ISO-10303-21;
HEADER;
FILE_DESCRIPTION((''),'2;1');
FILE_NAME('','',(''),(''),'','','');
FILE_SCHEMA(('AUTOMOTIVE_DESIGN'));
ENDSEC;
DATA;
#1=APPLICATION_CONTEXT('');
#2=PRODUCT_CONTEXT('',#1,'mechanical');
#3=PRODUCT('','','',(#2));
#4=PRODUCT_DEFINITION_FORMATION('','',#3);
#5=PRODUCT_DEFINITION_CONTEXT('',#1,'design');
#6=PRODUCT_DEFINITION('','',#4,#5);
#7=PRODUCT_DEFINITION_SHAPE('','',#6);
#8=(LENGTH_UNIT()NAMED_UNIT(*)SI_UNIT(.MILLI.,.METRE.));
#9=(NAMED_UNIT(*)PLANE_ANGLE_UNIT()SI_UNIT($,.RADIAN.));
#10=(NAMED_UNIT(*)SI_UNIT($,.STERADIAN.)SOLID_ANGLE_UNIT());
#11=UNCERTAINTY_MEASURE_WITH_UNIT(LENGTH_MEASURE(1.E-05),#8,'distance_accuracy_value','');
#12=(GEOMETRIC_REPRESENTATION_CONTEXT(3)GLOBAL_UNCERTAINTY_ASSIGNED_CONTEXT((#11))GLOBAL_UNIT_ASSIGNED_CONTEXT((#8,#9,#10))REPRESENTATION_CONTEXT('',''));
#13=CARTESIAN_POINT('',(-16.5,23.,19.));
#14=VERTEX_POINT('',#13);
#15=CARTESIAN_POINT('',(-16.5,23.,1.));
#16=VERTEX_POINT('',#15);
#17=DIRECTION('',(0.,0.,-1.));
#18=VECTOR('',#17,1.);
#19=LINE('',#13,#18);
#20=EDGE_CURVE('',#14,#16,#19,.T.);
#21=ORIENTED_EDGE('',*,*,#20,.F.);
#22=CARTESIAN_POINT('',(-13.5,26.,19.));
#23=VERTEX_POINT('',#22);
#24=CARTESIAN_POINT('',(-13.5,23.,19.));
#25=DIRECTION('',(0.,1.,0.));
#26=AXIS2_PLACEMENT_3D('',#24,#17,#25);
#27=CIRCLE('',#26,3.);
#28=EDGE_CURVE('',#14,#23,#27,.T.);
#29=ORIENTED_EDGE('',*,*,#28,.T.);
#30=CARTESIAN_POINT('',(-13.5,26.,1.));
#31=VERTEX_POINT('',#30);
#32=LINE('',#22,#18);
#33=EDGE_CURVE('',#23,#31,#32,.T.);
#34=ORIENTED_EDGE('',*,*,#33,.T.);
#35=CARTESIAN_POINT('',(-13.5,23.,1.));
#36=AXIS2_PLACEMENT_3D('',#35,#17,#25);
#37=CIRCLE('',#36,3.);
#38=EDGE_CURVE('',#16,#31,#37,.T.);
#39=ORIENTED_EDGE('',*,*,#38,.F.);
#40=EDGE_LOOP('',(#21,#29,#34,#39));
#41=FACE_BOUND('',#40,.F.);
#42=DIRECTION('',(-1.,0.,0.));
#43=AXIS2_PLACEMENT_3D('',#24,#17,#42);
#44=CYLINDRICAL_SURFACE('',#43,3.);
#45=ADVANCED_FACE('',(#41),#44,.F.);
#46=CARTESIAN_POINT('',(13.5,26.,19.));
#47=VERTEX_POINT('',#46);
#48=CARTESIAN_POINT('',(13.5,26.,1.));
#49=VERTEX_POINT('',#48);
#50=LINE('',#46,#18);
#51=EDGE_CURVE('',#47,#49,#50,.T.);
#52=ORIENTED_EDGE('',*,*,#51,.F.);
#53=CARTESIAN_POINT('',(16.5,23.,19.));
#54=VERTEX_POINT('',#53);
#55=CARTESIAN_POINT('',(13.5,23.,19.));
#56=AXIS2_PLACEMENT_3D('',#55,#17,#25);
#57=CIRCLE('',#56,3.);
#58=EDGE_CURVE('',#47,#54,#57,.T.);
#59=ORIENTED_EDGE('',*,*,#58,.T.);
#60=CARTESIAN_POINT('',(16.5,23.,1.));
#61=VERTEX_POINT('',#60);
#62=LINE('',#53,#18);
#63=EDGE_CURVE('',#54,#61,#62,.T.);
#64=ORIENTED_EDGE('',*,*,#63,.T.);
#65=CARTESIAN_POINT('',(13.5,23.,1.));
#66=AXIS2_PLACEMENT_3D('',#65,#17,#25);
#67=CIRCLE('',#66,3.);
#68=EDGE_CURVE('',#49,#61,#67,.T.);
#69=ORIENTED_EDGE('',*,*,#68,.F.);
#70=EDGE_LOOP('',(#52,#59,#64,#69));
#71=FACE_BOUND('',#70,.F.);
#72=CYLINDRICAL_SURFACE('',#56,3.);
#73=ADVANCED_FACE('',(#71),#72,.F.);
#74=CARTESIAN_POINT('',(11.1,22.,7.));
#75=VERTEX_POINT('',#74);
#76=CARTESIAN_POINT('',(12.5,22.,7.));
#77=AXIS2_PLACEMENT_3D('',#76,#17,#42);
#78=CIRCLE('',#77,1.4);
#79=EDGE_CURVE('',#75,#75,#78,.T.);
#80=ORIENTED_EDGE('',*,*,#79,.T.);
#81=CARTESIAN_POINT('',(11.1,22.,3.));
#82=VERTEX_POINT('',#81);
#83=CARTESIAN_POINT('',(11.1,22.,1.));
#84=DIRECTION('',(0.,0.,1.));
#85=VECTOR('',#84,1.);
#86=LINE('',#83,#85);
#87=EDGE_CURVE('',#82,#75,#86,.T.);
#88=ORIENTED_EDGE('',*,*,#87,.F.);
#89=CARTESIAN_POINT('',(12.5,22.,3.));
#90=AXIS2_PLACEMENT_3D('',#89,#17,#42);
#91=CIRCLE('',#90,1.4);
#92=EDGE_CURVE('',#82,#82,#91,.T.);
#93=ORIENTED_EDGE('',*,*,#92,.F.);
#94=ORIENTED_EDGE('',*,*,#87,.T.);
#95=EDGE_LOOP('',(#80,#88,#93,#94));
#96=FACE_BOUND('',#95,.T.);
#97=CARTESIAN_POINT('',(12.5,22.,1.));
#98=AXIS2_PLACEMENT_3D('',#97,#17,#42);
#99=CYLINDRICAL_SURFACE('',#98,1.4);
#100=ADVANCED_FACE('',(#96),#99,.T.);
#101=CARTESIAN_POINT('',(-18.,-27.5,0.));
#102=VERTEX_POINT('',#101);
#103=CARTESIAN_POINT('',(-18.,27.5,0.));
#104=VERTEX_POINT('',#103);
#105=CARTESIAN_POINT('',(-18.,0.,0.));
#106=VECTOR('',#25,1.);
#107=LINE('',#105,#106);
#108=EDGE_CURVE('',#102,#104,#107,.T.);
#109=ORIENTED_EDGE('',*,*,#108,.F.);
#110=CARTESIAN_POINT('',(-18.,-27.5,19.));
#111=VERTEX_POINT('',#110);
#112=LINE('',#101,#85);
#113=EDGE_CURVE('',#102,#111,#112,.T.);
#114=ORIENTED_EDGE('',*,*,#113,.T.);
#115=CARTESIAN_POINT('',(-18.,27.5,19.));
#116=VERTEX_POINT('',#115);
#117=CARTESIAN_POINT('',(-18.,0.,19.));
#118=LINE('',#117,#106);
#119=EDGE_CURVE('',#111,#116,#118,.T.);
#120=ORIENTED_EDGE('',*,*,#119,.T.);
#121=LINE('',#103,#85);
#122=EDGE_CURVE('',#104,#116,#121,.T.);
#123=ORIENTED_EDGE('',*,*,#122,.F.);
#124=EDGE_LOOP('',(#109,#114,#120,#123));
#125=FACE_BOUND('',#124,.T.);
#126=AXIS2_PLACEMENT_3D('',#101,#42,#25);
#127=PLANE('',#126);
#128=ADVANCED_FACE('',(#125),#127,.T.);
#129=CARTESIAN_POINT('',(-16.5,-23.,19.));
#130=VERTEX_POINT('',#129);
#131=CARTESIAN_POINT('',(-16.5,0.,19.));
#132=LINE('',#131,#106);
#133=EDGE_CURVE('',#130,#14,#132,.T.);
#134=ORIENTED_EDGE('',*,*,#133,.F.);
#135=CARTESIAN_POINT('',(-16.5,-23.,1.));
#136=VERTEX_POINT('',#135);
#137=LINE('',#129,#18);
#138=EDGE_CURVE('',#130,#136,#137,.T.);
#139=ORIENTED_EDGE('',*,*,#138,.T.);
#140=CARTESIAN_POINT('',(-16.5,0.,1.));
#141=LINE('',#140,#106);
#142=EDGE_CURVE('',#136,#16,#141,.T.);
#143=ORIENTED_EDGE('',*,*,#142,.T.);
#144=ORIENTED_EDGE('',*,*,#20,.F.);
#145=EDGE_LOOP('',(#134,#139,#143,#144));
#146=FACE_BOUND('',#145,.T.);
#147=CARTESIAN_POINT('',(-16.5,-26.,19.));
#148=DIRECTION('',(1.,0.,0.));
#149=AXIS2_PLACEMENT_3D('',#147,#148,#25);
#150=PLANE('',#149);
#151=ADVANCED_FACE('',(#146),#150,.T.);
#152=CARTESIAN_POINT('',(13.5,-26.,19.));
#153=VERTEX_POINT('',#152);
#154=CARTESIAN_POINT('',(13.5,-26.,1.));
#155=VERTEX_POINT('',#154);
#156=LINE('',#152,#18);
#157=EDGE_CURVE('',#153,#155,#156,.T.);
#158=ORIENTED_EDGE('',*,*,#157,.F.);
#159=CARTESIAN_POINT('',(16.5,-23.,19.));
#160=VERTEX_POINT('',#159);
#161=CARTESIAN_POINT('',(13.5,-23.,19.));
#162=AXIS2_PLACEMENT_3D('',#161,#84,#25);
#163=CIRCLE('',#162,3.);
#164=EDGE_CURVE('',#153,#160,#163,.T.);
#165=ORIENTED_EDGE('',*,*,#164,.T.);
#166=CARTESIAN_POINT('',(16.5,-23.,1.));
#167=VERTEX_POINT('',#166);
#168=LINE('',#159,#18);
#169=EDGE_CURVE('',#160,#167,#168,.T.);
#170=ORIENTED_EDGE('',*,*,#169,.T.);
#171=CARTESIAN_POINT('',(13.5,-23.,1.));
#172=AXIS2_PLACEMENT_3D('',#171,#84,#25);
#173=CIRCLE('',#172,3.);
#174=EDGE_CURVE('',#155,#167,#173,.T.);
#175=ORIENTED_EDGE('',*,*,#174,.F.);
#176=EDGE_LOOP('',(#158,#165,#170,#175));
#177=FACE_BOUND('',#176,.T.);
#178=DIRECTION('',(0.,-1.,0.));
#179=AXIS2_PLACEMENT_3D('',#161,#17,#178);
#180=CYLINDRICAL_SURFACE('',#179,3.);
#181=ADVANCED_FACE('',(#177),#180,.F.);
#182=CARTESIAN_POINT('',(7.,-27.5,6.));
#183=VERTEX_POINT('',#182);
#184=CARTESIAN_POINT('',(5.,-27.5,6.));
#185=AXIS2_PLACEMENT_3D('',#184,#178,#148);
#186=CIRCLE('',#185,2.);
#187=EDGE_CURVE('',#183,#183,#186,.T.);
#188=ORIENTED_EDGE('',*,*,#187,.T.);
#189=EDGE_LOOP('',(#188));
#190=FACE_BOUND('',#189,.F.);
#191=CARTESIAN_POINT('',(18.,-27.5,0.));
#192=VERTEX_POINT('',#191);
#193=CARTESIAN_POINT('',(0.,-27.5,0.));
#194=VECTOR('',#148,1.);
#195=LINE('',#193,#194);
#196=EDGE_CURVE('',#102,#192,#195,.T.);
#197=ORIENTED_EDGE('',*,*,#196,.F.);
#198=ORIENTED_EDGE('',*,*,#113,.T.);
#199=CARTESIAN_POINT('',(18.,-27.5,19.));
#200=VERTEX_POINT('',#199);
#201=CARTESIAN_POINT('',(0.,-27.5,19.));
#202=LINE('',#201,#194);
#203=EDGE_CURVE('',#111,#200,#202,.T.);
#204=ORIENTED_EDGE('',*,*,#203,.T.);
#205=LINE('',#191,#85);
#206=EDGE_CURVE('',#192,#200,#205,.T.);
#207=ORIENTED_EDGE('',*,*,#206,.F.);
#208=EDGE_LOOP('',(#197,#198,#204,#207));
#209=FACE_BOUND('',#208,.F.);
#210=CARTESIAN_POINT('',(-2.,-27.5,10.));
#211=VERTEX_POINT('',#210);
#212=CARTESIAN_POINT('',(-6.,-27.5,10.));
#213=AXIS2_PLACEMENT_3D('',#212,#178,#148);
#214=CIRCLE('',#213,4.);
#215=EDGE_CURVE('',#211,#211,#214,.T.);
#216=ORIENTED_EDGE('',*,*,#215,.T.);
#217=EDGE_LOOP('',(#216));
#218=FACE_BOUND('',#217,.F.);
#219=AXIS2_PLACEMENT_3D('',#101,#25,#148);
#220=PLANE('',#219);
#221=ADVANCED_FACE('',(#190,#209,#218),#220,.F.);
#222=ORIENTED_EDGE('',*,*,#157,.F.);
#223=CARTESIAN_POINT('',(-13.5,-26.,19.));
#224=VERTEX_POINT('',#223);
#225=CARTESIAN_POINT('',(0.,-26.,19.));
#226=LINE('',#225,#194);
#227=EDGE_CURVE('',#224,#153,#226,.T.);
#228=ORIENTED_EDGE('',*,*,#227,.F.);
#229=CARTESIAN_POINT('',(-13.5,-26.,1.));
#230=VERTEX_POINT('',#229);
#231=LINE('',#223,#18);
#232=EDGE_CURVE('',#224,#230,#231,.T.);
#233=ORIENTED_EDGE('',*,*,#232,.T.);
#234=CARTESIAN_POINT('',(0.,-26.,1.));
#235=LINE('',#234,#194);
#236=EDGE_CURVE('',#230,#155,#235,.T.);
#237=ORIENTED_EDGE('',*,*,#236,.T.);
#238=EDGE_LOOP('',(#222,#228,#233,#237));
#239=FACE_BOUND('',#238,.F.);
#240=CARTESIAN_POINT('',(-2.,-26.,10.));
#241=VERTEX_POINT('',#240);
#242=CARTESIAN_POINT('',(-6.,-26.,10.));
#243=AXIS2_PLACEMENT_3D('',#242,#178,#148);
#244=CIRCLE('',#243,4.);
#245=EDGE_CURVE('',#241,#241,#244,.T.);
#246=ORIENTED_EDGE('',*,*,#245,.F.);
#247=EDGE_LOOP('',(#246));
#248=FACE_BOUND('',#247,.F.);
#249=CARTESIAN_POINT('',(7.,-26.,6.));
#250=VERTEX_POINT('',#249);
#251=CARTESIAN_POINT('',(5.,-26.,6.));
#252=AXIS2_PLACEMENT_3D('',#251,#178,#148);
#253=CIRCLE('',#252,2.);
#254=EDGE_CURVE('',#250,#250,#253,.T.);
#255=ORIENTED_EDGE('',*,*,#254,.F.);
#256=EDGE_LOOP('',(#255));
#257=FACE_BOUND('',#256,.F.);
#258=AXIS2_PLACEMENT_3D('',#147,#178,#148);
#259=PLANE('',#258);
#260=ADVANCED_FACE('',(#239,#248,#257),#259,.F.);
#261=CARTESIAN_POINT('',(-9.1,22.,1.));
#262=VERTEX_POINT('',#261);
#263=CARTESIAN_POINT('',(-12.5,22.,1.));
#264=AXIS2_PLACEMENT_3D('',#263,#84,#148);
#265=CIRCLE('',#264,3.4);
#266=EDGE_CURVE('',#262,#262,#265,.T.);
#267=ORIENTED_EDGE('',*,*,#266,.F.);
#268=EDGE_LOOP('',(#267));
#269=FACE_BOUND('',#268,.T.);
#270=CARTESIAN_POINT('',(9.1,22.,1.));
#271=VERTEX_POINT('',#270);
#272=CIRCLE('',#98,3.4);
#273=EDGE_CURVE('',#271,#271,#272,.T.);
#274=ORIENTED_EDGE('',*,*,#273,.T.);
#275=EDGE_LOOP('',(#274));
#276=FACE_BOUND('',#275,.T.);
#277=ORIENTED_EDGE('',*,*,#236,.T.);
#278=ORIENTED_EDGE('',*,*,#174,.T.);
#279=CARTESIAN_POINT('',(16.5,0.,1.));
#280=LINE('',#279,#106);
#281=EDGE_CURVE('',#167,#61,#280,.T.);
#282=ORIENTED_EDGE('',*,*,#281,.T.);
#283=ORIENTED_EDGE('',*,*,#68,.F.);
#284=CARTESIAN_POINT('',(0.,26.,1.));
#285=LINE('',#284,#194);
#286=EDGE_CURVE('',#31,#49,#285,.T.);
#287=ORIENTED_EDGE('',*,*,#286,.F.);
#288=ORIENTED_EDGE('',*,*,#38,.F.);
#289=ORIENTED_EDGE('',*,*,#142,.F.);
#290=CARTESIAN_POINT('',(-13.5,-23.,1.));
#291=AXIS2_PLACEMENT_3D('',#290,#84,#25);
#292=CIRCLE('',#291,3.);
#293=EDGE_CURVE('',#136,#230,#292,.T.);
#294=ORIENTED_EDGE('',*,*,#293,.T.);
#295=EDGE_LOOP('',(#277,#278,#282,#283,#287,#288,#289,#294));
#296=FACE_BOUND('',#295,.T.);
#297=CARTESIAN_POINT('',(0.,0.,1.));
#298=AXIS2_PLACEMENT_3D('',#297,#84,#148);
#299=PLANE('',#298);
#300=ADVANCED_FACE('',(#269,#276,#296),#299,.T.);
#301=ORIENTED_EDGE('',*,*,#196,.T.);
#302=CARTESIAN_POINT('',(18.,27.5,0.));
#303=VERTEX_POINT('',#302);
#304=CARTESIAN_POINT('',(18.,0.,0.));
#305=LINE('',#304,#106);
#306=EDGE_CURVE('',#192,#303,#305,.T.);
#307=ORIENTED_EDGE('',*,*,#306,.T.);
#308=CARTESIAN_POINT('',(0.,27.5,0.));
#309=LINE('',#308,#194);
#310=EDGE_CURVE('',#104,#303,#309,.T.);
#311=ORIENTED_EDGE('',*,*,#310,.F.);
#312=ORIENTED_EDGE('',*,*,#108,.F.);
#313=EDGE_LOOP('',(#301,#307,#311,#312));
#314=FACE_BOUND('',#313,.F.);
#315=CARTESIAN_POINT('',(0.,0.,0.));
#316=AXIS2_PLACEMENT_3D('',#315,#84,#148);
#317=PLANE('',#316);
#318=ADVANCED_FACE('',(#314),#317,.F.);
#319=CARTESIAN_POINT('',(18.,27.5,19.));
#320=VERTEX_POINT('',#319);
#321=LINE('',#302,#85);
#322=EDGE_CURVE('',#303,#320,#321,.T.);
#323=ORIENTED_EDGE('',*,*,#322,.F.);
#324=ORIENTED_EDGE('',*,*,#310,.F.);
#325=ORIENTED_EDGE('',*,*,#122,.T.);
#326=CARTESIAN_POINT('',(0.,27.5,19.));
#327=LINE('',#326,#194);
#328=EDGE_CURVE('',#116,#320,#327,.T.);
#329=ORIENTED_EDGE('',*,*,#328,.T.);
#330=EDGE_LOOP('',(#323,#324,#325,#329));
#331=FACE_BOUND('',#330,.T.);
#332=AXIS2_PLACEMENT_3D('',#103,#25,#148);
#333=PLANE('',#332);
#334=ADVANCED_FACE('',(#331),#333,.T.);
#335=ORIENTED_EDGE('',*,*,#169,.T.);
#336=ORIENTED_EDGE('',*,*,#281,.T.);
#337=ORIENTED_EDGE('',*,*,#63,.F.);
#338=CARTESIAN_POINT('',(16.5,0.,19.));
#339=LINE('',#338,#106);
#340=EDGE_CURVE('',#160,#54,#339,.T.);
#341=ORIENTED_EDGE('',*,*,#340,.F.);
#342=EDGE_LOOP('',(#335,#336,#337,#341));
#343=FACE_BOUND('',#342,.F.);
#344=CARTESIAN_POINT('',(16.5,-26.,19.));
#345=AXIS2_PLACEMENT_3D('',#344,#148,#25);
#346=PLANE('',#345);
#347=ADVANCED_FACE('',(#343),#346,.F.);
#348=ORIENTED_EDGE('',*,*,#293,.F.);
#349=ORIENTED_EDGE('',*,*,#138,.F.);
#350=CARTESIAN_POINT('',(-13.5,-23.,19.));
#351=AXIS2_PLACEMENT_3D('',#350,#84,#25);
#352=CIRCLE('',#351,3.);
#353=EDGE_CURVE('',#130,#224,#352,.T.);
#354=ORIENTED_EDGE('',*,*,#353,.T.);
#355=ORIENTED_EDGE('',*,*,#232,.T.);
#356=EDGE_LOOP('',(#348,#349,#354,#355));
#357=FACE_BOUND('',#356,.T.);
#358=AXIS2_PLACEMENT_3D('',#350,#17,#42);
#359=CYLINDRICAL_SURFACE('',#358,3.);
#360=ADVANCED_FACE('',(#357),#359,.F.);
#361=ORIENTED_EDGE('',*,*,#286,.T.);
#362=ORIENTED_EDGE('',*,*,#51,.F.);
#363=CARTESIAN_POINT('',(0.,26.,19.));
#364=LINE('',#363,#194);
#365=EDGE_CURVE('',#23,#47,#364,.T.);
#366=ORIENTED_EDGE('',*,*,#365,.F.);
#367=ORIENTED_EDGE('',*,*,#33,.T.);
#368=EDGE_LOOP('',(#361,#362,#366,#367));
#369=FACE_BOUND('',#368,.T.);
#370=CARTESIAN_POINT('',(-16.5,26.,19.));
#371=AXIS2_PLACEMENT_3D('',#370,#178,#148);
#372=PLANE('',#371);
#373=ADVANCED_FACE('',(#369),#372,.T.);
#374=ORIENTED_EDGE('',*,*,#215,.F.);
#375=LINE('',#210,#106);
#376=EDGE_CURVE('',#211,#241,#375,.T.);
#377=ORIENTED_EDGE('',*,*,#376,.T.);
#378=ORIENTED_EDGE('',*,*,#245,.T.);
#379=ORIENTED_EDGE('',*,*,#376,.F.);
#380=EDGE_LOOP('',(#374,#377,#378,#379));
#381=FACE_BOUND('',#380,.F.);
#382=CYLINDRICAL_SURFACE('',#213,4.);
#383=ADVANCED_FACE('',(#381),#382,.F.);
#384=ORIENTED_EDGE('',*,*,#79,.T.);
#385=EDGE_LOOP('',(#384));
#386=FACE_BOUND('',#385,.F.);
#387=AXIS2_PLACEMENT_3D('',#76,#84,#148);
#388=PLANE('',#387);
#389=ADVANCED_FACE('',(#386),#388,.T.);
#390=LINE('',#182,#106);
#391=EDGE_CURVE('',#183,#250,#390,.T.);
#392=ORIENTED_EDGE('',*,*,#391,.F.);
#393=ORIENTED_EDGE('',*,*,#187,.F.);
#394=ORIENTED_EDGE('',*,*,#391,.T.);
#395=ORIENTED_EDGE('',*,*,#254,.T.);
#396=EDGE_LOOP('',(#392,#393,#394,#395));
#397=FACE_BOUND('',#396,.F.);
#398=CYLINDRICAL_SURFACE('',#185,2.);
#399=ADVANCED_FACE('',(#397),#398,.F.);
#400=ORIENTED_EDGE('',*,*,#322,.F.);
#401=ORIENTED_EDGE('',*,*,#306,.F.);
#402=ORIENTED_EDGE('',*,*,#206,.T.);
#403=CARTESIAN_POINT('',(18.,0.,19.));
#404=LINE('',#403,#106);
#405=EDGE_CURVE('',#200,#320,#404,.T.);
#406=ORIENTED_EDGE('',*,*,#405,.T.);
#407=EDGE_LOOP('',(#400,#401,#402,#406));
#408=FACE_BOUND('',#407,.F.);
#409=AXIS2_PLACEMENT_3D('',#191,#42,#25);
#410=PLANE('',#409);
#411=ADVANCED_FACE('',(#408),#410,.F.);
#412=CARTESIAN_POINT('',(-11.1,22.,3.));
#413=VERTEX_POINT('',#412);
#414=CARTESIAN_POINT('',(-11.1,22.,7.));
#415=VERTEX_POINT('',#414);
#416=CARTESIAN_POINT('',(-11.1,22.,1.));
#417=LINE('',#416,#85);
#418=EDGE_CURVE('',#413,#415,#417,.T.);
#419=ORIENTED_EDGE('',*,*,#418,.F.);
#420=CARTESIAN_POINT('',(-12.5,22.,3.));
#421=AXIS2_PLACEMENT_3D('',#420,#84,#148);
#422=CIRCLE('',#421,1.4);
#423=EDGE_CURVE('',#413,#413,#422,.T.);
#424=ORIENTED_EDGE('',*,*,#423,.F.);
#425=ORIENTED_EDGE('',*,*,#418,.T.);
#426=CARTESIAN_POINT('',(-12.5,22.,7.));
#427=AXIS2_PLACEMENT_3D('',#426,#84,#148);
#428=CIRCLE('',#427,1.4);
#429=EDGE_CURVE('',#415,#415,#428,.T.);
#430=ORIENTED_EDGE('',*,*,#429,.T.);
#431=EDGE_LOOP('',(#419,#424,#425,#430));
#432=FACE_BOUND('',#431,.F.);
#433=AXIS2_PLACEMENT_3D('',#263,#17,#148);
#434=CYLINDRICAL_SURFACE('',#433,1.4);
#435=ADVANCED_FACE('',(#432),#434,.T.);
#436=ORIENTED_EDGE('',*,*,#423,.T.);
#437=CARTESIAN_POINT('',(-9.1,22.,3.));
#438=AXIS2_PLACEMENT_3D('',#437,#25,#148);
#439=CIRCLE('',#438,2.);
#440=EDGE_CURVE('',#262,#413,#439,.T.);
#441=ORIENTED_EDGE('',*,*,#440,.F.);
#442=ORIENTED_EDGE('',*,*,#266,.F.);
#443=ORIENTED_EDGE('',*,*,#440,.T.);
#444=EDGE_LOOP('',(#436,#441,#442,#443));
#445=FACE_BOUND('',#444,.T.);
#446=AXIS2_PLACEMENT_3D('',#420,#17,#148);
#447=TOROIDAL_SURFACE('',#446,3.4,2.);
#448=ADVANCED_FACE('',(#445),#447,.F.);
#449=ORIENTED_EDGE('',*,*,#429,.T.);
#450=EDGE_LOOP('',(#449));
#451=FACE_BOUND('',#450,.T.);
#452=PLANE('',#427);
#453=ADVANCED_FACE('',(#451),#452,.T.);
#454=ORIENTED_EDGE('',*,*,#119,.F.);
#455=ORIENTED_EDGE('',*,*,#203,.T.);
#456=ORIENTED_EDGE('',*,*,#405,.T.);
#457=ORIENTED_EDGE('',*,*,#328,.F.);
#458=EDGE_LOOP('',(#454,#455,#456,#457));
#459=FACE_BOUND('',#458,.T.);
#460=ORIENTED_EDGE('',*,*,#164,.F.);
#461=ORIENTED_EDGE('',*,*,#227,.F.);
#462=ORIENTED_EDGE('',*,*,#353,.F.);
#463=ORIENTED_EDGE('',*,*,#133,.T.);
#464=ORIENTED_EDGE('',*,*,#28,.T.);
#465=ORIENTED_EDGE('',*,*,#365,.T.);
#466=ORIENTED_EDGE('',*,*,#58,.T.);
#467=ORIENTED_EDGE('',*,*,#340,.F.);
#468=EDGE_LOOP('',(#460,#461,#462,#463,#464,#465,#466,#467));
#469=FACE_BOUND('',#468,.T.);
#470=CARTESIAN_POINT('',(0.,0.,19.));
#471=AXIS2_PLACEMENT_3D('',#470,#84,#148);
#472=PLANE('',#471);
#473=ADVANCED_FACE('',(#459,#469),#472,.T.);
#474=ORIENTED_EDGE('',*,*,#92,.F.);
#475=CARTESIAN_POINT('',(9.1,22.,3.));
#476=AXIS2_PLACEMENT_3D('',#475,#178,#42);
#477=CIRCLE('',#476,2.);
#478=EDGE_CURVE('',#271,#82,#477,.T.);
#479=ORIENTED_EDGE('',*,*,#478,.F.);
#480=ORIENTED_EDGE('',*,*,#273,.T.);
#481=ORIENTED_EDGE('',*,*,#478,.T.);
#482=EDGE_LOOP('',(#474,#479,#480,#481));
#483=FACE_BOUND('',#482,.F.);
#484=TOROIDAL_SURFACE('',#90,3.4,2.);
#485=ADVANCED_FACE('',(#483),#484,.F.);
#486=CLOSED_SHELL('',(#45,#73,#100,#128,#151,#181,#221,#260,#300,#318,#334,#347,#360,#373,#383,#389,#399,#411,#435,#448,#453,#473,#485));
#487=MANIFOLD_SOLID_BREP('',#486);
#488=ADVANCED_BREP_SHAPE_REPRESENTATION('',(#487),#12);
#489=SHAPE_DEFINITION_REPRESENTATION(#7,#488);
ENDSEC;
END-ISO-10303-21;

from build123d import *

# Parameters (mm, degrees)
SKETCH_W        = 36
SKETCH_H        = 55
PAD_DEPTH       = 19
SKETCH001_W     = 33
SKETCH001_H     = 52
POCKET_DEPTH    = 18
SKETCH002_R     = 1.4
PAD001_DEPTH    = 6
SKETCH003_R     = 4
SKETCH003_R_2   = 2
POCKET001_DEPTH = 1.5
FILLET_R        = 2
FILLET001_R     = 3


with BuildPart() as part:
    # Sketch → Pad (new body)
    with BuildSketch(Plane.XY):
        Rectangle(SKETCH_W, SKETCH_H)
    extrude(amount=PAD_DEPTH)

    # Sketch001 (on Face6 of Pad) → Pocket (cut)
    with BuildSketch(Plane.XY.offset(19)):
        Rectangle(SKETCH001_W, SKETCH001_H)
    extrude(amount=-POCKET_DEPTH, mode=Mode.SUBTRACT)

    # Sketch002 (on Face11 of Pocket) → Pad001 (join)
    with BuildSketch(Plane.XY.offset(1)):
        with Locations((-12.5, 22)):
            Circle(SKETCH002_R)
    pad001 = extrude(amount=PAD001_DEPTH)

    # Mirrored: Pad001 across Sketch002 V_Axis
    add(pad001.mirror(Plane(origin=(0, 0, 1), x_dir=(0, 0, 1), z_dir=(1, 0, 0))))

    # Sketch003 (on Face6 of Mirrored) → Pocket001 (cut)
    with BuildSketch(Plane.XZ.offset(27.5)):
        with Locations((-6, 10)):
            Circle(SKETCH003_R)
        with Locations((5, 6)):
            Circle(SKETCH003_R_2)
    extrude(amount=-POCKET001_DEPTH, mode=Mode.SUBTRACT)

    # Fillet
    fillet_edges = [part.edges().sort_by_distance(p)[0] for p in [
        (-13.9, 22, 1),
        (13.9, 22, 1),
    ]]
    fillet(fillet_edges, radius=FILLET_R)

    # Fillet001
    fillet001_edges = [part.edges().sort_by_distance(p)[0] for p in [
        (-16.5, 26, 10),
        (-16.5, -26, 10),
        (16.5, -26, 10),
        (16.5, 26, 10),
    ]]
    fillet(fillet001_edges, radius=FILLET001_R)


solid = part.part
